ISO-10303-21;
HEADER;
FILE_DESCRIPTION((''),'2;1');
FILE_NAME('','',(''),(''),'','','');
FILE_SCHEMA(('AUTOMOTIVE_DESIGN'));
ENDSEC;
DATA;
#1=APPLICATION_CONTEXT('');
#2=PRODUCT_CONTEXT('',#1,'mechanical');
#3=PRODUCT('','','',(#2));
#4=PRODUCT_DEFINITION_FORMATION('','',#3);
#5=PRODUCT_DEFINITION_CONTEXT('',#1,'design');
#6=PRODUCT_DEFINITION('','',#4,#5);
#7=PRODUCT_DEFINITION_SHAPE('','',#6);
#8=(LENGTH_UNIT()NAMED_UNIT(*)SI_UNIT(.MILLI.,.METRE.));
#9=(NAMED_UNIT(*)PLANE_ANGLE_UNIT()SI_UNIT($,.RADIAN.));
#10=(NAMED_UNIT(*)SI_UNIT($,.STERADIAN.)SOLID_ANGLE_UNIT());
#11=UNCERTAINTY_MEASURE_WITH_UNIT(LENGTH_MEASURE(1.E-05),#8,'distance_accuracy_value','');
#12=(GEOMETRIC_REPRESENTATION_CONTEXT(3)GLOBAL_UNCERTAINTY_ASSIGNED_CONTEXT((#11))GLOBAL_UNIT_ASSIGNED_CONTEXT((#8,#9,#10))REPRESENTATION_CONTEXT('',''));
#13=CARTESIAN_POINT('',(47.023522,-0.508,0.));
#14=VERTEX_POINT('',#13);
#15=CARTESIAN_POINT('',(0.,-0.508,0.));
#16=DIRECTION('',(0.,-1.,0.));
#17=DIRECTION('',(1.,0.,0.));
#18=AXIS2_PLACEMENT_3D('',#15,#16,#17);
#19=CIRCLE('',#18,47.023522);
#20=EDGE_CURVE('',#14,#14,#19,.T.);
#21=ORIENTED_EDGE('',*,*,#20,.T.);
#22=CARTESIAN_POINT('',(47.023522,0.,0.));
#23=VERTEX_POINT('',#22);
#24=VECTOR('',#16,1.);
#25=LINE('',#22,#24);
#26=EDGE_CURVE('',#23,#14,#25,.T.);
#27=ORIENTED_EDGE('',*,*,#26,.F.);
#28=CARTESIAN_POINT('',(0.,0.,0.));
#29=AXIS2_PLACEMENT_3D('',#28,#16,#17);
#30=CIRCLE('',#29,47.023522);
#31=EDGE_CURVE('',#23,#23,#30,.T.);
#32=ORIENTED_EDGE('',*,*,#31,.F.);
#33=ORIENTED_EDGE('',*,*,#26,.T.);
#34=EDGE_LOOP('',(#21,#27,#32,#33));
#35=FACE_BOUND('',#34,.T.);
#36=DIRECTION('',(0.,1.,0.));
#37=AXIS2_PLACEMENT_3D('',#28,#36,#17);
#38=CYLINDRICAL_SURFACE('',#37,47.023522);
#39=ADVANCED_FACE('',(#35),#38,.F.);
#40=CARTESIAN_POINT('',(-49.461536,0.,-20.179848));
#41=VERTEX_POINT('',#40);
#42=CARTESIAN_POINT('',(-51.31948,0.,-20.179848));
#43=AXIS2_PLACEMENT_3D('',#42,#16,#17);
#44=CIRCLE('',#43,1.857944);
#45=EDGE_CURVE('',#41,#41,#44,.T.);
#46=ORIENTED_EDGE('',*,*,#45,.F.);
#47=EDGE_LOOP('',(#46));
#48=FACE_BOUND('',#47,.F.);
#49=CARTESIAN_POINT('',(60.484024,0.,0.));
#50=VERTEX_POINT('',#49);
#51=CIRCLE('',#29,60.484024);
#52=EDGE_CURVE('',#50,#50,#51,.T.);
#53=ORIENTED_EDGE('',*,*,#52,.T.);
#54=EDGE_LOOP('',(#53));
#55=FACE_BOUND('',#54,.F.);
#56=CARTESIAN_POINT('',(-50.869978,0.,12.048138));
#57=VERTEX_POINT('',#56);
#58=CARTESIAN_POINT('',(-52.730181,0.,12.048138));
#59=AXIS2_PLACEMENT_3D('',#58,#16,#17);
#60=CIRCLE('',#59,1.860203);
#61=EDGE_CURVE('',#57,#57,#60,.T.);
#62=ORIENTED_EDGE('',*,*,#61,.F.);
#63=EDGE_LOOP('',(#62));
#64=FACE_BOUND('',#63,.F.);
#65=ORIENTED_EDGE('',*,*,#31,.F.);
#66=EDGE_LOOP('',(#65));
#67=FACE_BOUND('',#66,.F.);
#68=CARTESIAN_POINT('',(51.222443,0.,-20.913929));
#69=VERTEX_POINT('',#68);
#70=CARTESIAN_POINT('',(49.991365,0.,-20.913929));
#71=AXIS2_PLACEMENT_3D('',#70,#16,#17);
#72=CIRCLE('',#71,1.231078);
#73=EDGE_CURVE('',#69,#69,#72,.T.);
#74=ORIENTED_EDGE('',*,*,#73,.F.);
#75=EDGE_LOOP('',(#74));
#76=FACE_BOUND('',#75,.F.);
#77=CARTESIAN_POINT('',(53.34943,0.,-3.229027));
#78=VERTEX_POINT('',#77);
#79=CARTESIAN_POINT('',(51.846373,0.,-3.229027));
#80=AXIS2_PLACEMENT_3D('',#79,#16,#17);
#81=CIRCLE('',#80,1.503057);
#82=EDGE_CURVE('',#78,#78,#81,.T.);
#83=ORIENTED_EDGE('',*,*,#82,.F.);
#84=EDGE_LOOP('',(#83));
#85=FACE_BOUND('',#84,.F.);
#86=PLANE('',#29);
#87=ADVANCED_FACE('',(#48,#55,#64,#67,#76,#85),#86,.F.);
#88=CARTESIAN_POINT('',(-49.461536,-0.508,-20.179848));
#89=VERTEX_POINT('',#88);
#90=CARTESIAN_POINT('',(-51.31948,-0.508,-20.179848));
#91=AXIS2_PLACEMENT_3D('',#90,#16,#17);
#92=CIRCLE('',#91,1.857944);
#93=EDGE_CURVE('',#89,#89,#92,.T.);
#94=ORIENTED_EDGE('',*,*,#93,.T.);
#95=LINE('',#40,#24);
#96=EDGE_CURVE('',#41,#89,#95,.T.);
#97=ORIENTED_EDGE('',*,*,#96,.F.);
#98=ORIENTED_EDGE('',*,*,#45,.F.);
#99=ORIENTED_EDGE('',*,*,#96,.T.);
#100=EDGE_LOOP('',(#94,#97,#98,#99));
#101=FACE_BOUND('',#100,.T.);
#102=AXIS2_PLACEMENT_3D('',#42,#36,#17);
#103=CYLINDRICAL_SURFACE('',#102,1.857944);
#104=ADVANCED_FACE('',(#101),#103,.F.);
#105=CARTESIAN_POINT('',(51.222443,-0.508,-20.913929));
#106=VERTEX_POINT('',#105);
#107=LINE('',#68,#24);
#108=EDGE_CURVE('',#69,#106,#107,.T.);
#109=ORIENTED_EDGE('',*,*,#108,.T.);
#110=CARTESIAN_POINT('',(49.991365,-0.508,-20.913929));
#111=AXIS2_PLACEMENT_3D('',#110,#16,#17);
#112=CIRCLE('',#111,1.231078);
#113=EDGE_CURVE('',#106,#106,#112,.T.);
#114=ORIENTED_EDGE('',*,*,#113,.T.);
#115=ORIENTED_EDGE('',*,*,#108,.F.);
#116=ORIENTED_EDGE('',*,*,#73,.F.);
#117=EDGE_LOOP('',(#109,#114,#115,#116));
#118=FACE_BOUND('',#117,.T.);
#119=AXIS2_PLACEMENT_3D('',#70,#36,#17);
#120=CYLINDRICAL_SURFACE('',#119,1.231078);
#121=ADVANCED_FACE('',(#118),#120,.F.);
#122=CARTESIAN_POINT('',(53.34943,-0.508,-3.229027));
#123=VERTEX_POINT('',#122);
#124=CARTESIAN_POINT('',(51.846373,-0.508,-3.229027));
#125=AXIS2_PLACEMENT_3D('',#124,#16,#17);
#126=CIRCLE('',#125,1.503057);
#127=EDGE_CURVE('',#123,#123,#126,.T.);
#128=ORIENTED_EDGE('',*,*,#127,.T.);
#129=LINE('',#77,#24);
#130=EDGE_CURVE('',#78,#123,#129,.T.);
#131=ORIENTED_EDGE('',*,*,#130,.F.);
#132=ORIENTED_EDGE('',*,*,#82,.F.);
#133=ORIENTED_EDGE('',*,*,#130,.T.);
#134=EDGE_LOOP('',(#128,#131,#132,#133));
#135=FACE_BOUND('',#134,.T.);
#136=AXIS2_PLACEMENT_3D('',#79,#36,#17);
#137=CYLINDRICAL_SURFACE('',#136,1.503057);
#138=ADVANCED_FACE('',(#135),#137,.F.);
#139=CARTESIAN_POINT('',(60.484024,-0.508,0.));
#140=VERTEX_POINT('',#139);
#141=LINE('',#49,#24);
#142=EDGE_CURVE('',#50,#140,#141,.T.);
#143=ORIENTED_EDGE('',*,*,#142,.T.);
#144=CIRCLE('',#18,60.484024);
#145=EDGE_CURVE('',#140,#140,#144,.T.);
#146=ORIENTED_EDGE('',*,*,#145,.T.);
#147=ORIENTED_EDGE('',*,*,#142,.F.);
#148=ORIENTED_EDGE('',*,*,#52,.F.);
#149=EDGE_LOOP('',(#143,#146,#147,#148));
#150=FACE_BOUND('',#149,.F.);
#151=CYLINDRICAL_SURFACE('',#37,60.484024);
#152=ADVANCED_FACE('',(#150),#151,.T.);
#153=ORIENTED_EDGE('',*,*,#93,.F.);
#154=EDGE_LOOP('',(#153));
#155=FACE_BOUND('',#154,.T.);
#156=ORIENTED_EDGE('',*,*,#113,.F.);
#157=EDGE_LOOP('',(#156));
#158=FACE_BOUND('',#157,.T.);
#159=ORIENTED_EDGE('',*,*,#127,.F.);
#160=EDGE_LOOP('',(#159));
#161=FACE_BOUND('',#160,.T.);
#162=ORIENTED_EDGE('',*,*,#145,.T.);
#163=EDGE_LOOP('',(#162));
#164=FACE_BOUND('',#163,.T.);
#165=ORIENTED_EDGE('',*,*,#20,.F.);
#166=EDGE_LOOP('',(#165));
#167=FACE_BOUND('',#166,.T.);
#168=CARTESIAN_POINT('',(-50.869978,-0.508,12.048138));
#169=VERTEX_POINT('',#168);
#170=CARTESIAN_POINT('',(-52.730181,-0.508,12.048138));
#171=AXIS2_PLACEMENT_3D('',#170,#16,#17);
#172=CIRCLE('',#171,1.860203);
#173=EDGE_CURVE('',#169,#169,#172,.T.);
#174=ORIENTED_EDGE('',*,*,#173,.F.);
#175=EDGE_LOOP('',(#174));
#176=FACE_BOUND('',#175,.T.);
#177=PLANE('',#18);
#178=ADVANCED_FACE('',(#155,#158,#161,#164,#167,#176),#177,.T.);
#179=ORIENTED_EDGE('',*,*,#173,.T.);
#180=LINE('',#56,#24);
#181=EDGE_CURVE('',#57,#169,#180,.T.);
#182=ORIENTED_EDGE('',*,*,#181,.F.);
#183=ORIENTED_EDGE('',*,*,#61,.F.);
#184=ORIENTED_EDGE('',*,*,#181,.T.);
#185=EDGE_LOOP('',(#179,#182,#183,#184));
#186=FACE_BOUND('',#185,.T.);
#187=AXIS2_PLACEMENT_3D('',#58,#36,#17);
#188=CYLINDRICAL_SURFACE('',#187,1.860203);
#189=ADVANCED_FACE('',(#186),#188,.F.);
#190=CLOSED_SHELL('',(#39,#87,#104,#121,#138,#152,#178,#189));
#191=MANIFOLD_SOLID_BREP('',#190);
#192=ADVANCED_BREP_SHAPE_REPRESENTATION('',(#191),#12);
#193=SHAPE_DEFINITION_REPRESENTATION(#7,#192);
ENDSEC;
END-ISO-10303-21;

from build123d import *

# Parameters (mm, degrees)
F0_R     = 60.484024
F0_R_2   = 1.857944
F0_R_3   = 1.231078
F0_R_4   = 1.503057
F0_R_5   = 1.860203
F0_R_6   = 47.023522
F1_DEPTH = 0.508


with BuildPart() as f1:
    # F0 (on Front) → F1 (new body)
    with BuildSketch(Plane.XZ):
        Circle(F0_R)
        with Locations((-51.31948, -20.179848)):
            Circle(F0_R_2, mode=Mode.SUBTRACT)
        with Locations((49.991365, -20.913929)):
            Circle(F0_R_3, mode=Mode.SUBTRACT)
        with Locations((51.846373, -3.229027)):
            Circle(F0_R_4, mode=Mode.SUBTRACT)
        with Locations((-52.730181, 12.048138)):
            Circle(F0_R_5, mode=Mode.SUBTRACT)
        Circle(F0_R_6, mode=Mode.SUBTRACT)
    extrude(amount=F1_DEPTH)


solid = f1.part
